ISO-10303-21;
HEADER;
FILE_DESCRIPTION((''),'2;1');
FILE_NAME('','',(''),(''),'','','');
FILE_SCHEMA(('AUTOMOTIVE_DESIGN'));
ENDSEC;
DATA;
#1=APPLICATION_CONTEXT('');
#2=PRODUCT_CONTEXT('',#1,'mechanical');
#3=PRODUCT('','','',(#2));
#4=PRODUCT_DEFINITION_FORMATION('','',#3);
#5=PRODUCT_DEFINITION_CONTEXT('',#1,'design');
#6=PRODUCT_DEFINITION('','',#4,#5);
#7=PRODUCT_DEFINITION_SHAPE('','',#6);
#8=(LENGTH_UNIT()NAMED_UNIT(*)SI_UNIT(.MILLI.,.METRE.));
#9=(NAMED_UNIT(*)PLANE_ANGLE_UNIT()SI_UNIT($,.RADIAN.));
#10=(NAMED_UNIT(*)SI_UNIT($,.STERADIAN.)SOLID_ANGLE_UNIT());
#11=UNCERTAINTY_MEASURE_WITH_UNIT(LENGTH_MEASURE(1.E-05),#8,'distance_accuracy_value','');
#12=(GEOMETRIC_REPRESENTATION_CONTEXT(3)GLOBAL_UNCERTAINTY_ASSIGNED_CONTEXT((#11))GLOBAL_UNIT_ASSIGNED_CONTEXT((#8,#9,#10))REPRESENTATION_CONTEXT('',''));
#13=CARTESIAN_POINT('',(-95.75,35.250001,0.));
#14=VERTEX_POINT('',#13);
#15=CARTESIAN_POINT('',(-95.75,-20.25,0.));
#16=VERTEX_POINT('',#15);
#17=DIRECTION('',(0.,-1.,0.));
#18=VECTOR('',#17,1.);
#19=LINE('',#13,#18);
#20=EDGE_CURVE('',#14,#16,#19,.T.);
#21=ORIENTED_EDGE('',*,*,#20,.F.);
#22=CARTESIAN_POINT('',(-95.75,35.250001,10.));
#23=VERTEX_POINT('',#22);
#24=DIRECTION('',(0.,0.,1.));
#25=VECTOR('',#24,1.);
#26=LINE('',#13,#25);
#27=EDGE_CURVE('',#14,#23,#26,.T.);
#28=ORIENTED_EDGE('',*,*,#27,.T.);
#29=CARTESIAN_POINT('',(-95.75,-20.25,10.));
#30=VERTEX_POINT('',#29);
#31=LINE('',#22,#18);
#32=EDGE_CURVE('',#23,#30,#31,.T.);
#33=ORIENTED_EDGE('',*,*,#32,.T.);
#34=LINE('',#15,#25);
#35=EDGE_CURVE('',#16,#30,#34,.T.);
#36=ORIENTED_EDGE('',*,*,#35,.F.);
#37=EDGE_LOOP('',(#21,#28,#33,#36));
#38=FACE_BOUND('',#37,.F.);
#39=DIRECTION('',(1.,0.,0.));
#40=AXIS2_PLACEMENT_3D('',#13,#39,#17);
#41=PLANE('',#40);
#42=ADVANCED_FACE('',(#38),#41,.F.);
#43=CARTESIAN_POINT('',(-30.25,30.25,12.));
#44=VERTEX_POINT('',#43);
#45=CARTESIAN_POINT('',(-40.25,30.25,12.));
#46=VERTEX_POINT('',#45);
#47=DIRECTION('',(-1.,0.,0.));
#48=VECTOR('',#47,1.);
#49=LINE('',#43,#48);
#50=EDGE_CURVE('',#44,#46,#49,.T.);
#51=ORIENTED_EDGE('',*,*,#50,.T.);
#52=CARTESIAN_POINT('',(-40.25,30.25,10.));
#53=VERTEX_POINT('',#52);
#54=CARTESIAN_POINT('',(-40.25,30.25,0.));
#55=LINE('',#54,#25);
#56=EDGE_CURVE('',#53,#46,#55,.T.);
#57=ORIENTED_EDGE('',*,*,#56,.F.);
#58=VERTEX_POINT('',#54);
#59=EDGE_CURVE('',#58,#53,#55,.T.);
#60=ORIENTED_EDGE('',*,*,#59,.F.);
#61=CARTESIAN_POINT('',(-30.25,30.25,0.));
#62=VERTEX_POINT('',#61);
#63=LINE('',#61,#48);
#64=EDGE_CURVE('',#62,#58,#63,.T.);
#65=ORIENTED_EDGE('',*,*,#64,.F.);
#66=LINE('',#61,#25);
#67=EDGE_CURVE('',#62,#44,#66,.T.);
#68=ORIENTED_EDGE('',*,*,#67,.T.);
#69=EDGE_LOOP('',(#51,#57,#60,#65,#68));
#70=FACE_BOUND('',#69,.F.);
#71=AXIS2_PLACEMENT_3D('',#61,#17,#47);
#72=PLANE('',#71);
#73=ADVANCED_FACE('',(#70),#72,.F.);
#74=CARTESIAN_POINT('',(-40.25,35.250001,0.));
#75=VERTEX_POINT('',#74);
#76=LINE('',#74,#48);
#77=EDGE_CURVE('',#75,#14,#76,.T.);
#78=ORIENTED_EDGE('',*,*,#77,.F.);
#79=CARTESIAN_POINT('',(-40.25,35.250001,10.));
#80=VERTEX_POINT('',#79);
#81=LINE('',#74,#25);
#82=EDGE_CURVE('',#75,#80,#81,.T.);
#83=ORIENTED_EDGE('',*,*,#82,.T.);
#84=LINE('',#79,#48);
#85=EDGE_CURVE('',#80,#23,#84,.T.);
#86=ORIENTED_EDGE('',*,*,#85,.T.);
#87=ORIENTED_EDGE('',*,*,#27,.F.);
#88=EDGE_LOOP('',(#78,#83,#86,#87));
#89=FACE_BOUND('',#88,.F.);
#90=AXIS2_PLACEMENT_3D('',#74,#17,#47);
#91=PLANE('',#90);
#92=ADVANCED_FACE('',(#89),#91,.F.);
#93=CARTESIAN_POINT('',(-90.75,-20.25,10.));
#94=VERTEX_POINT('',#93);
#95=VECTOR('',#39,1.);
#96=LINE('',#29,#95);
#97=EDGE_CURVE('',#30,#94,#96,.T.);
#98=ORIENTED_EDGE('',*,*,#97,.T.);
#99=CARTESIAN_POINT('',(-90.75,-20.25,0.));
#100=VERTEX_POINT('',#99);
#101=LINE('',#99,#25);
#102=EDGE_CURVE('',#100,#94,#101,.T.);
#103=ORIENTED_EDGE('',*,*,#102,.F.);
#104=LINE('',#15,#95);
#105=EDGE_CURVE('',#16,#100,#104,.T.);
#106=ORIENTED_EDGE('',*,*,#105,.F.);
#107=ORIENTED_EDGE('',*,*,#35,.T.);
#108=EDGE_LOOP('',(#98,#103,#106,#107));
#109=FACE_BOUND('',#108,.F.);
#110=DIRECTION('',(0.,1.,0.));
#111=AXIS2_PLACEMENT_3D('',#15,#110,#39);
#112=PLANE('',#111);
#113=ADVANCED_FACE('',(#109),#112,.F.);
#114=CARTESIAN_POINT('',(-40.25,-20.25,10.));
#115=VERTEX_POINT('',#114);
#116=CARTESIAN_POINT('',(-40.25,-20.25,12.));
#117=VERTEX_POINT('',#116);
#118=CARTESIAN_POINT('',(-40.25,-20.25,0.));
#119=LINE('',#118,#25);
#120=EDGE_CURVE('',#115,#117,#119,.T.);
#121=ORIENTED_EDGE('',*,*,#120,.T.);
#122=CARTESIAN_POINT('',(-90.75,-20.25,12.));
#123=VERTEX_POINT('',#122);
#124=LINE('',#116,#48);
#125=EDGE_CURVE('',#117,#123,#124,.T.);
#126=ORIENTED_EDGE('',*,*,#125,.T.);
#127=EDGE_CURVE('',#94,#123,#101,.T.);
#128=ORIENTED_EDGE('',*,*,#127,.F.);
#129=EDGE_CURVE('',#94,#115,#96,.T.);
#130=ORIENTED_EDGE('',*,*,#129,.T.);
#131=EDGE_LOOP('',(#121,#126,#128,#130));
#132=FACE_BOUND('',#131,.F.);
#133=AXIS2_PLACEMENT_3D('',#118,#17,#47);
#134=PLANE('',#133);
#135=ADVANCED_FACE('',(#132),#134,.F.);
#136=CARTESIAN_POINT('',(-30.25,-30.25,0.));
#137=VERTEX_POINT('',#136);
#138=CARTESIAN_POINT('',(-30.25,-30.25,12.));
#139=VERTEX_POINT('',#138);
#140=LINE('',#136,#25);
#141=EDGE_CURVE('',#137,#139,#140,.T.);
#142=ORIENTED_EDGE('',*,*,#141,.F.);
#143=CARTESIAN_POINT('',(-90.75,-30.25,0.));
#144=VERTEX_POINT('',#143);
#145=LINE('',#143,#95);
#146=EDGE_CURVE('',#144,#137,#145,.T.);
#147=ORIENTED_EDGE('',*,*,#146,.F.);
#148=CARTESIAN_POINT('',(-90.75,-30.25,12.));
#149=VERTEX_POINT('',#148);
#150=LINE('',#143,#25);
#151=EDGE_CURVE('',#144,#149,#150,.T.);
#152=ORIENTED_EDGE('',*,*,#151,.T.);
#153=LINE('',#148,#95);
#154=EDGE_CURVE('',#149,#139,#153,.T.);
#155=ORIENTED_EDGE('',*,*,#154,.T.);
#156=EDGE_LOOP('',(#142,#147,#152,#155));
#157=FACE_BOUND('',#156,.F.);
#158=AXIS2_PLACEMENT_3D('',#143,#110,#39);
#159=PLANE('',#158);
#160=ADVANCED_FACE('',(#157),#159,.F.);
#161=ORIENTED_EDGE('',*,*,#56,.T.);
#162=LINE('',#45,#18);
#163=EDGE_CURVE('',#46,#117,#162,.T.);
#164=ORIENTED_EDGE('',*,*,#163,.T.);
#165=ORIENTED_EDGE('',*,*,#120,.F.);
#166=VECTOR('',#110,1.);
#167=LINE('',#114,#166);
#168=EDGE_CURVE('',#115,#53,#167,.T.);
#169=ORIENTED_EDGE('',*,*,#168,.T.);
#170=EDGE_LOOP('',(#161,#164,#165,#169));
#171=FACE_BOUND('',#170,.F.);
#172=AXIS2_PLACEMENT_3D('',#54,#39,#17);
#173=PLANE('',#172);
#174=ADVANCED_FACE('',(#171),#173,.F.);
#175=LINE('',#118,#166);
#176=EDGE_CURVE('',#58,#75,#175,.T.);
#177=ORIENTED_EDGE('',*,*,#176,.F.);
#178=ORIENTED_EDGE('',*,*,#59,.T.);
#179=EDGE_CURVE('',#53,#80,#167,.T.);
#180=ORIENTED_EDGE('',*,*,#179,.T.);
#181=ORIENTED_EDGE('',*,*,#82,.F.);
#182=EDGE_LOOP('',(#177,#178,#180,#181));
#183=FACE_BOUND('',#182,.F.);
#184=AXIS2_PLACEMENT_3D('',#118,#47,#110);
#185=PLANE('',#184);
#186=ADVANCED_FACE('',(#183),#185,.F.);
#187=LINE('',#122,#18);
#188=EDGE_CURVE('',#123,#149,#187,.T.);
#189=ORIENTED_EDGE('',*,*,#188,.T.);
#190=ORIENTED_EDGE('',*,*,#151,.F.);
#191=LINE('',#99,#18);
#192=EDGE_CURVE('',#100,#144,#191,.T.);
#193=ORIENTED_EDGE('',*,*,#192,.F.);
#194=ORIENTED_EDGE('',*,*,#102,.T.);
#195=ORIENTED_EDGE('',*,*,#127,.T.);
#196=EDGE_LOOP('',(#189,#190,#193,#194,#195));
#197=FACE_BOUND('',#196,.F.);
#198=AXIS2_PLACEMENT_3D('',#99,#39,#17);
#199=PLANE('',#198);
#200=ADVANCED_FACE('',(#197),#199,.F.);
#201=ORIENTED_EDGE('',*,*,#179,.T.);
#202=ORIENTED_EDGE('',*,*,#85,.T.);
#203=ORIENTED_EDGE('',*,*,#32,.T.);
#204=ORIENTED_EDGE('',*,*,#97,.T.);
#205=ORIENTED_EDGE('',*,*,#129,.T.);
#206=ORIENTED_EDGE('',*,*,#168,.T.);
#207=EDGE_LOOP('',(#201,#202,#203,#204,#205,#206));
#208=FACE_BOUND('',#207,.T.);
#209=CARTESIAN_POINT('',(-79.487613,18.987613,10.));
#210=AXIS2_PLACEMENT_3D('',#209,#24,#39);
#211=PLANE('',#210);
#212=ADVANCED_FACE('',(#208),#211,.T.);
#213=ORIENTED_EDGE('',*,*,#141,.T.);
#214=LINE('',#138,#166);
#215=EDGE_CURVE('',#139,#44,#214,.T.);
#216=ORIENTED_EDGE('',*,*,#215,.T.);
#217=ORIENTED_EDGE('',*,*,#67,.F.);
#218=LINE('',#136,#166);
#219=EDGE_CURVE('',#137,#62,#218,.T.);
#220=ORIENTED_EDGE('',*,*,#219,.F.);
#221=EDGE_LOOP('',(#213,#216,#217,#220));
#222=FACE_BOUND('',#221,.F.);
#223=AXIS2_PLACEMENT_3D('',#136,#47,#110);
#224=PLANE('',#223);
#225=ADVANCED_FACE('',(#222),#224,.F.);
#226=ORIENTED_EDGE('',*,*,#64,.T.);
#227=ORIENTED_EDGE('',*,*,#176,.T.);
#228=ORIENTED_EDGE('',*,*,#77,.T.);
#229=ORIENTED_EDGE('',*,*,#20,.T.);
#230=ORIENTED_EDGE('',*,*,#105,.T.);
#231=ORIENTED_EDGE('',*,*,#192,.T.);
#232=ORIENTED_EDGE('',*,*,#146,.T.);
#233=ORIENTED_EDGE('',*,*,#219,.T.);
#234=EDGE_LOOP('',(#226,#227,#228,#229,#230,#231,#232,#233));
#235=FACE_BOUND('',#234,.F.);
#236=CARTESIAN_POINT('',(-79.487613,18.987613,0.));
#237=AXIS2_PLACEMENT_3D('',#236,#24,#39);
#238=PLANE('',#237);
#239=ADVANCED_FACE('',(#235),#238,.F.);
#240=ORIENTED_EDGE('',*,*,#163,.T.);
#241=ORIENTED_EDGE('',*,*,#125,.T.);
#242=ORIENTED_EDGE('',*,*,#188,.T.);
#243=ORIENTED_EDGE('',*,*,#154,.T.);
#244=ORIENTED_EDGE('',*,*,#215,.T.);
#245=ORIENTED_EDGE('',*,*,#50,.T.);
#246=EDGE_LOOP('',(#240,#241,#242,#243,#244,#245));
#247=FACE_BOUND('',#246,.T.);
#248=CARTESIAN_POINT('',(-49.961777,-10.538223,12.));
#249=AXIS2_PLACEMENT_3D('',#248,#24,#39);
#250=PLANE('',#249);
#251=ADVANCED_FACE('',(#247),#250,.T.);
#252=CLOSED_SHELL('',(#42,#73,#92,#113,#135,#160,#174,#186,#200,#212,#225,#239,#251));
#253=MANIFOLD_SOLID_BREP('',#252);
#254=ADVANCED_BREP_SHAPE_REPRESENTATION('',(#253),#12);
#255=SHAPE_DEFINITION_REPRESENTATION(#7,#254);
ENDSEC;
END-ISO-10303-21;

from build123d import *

# Parameters (mm, degrees)
F1_DEPTH = 12
F2_DEPTH = 10


with BuildPart() as f1:
    # F0 (on Top) → F1 (new body)
    with BuildSketch(Plane.XY):
        Polygon((-57.75, -20.25), (-90.75, -20.25), (-90.75, -30.25), (-30.25, -30.25), (-30.25, 30.25), (-40.25, 30.25), (-40.25, -2.5), (-40.25, -20.25), align=None)
    extrude(amount=F1_DEPTH)

    # F0 (on Top) → F2 (join)
    with BuildSketch(Plane.XY):
        Polygon((-90.75, -20.25), (-90.75, 30.25), (-40.25, 30.25), (-40.25, 35.2500006557), (-95.75, 35.2500006557), (-95.75, -20.25), align=None)
        Polygon((-40.25, 30.25), (-90.75, 30.25), (-90.75, -20.25), (-57.75, -20.25), (-40.25, -20.25), (-40.25, -2.5), align=None)
    extrude(amount=F2_DEPTH)


solid = f1.part
